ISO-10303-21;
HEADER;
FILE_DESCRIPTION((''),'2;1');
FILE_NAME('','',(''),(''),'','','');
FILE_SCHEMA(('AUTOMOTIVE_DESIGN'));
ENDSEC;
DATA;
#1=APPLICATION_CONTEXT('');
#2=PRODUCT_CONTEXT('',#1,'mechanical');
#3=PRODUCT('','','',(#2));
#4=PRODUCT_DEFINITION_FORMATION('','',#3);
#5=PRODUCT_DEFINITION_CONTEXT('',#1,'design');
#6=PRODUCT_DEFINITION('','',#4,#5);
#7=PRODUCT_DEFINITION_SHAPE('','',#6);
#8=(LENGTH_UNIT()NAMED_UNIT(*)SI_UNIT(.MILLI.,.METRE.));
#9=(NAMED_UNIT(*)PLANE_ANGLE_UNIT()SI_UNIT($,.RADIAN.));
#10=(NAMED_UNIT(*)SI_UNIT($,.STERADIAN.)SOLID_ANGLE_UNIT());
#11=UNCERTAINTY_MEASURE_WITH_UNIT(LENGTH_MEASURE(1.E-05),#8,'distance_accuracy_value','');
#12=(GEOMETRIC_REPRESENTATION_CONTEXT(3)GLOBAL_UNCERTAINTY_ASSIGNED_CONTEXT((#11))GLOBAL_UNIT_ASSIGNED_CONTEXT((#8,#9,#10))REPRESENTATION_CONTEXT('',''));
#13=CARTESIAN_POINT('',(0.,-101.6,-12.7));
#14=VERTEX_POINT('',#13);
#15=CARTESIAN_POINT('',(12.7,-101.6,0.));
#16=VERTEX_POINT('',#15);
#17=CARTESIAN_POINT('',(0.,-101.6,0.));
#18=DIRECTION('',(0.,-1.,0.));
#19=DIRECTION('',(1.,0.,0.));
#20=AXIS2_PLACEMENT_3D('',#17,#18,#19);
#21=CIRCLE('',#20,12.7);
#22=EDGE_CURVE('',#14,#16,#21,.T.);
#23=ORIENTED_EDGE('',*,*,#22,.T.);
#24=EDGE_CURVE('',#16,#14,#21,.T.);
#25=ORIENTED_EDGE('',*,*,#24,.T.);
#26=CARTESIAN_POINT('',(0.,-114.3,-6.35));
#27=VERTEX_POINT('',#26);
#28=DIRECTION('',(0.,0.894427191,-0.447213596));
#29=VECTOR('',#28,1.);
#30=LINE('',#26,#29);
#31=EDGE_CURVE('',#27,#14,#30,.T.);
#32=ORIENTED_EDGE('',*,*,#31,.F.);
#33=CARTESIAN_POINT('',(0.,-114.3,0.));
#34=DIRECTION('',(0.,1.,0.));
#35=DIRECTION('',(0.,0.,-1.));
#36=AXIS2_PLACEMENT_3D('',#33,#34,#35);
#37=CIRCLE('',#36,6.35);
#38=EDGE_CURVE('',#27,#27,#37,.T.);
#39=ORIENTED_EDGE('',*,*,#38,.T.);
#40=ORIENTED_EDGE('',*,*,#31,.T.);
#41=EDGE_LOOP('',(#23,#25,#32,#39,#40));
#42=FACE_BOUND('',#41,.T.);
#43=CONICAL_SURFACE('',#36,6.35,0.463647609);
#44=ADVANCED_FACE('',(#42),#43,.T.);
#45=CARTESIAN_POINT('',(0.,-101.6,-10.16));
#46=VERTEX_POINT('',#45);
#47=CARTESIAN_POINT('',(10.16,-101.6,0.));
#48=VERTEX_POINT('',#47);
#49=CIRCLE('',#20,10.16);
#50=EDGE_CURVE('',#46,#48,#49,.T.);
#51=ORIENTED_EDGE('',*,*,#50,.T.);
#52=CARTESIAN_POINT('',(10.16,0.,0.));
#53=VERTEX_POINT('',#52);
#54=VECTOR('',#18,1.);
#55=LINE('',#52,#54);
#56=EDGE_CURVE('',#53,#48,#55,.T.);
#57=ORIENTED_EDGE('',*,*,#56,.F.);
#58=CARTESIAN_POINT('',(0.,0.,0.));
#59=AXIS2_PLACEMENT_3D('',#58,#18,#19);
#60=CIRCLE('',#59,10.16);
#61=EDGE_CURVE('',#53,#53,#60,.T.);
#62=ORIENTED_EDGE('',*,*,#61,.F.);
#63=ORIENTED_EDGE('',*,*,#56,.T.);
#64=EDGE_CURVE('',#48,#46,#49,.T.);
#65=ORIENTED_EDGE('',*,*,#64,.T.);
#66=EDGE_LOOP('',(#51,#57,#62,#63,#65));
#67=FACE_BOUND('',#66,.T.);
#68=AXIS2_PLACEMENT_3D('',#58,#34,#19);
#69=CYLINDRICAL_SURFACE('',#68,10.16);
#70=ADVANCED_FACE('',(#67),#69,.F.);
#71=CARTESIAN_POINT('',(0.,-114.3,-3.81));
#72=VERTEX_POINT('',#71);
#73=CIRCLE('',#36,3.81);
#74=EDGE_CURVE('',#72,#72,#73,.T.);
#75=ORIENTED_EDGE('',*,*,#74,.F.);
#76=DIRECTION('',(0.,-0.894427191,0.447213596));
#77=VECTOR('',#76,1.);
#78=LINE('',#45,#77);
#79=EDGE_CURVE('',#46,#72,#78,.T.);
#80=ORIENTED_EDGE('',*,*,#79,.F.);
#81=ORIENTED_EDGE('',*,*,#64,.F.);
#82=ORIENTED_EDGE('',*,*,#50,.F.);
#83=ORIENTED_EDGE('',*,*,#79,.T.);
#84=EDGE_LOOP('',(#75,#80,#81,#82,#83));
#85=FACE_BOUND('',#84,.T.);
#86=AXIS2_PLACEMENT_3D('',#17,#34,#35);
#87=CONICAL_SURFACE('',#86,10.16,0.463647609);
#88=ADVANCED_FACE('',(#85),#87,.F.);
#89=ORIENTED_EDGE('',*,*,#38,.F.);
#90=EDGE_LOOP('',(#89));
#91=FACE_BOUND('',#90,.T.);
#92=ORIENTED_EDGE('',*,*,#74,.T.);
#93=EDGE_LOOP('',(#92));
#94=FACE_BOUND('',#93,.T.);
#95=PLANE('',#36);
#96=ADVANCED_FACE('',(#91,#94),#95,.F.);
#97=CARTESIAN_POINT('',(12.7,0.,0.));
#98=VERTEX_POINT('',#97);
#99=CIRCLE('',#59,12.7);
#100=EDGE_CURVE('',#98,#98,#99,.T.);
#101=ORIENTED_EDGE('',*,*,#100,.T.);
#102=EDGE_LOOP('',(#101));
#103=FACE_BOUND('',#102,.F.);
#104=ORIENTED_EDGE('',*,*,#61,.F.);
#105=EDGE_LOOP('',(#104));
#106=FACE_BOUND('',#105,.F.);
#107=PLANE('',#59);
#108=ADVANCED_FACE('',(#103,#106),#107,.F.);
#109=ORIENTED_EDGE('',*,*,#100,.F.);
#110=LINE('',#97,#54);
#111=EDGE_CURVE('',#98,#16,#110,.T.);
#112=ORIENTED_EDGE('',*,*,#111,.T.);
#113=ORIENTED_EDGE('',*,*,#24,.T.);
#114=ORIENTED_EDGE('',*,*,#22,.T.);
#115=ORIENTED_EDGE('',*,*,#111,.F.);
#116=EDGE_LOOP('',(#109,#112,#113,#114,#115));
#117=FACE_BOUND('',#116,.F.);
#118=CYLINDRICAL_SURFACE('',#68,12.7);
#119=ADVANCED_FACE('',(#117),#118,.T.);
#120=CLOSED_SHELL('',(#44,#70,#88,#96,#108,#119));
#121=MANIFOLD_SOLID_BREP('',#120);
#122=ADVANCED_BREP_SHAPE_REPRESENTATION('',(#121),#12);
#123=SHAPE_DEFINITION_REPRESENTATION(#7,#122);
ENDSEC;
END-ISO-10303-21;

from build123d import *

# Parameters (mm, degrees)
F0_R     = 12.7
F0_R_2   = 10.16
F1_DEPTH = 101.6


with BuildPart() as f1:
    # F0 (on Front) → F1 (new body)
    with BuildSketch(Plane.XZ):
        Circle(F0_R)
        Circle(F0_R_2, mode=Mode.SUBTRACT)
    extrude(amount=F1_DEPTH)

    # F6 (on Right) → F7 (revolve)
    with BuildSketch(Plane.YZ):
        Polygon((-114.3, -3.81), (-114.3, -6.35), (-101.6, -12.7), (-101.6, -10.16), align=None)
    revolve(axis=Axis((0, -111.125, 0), (0, 1, 0)))


solid = f1.part
